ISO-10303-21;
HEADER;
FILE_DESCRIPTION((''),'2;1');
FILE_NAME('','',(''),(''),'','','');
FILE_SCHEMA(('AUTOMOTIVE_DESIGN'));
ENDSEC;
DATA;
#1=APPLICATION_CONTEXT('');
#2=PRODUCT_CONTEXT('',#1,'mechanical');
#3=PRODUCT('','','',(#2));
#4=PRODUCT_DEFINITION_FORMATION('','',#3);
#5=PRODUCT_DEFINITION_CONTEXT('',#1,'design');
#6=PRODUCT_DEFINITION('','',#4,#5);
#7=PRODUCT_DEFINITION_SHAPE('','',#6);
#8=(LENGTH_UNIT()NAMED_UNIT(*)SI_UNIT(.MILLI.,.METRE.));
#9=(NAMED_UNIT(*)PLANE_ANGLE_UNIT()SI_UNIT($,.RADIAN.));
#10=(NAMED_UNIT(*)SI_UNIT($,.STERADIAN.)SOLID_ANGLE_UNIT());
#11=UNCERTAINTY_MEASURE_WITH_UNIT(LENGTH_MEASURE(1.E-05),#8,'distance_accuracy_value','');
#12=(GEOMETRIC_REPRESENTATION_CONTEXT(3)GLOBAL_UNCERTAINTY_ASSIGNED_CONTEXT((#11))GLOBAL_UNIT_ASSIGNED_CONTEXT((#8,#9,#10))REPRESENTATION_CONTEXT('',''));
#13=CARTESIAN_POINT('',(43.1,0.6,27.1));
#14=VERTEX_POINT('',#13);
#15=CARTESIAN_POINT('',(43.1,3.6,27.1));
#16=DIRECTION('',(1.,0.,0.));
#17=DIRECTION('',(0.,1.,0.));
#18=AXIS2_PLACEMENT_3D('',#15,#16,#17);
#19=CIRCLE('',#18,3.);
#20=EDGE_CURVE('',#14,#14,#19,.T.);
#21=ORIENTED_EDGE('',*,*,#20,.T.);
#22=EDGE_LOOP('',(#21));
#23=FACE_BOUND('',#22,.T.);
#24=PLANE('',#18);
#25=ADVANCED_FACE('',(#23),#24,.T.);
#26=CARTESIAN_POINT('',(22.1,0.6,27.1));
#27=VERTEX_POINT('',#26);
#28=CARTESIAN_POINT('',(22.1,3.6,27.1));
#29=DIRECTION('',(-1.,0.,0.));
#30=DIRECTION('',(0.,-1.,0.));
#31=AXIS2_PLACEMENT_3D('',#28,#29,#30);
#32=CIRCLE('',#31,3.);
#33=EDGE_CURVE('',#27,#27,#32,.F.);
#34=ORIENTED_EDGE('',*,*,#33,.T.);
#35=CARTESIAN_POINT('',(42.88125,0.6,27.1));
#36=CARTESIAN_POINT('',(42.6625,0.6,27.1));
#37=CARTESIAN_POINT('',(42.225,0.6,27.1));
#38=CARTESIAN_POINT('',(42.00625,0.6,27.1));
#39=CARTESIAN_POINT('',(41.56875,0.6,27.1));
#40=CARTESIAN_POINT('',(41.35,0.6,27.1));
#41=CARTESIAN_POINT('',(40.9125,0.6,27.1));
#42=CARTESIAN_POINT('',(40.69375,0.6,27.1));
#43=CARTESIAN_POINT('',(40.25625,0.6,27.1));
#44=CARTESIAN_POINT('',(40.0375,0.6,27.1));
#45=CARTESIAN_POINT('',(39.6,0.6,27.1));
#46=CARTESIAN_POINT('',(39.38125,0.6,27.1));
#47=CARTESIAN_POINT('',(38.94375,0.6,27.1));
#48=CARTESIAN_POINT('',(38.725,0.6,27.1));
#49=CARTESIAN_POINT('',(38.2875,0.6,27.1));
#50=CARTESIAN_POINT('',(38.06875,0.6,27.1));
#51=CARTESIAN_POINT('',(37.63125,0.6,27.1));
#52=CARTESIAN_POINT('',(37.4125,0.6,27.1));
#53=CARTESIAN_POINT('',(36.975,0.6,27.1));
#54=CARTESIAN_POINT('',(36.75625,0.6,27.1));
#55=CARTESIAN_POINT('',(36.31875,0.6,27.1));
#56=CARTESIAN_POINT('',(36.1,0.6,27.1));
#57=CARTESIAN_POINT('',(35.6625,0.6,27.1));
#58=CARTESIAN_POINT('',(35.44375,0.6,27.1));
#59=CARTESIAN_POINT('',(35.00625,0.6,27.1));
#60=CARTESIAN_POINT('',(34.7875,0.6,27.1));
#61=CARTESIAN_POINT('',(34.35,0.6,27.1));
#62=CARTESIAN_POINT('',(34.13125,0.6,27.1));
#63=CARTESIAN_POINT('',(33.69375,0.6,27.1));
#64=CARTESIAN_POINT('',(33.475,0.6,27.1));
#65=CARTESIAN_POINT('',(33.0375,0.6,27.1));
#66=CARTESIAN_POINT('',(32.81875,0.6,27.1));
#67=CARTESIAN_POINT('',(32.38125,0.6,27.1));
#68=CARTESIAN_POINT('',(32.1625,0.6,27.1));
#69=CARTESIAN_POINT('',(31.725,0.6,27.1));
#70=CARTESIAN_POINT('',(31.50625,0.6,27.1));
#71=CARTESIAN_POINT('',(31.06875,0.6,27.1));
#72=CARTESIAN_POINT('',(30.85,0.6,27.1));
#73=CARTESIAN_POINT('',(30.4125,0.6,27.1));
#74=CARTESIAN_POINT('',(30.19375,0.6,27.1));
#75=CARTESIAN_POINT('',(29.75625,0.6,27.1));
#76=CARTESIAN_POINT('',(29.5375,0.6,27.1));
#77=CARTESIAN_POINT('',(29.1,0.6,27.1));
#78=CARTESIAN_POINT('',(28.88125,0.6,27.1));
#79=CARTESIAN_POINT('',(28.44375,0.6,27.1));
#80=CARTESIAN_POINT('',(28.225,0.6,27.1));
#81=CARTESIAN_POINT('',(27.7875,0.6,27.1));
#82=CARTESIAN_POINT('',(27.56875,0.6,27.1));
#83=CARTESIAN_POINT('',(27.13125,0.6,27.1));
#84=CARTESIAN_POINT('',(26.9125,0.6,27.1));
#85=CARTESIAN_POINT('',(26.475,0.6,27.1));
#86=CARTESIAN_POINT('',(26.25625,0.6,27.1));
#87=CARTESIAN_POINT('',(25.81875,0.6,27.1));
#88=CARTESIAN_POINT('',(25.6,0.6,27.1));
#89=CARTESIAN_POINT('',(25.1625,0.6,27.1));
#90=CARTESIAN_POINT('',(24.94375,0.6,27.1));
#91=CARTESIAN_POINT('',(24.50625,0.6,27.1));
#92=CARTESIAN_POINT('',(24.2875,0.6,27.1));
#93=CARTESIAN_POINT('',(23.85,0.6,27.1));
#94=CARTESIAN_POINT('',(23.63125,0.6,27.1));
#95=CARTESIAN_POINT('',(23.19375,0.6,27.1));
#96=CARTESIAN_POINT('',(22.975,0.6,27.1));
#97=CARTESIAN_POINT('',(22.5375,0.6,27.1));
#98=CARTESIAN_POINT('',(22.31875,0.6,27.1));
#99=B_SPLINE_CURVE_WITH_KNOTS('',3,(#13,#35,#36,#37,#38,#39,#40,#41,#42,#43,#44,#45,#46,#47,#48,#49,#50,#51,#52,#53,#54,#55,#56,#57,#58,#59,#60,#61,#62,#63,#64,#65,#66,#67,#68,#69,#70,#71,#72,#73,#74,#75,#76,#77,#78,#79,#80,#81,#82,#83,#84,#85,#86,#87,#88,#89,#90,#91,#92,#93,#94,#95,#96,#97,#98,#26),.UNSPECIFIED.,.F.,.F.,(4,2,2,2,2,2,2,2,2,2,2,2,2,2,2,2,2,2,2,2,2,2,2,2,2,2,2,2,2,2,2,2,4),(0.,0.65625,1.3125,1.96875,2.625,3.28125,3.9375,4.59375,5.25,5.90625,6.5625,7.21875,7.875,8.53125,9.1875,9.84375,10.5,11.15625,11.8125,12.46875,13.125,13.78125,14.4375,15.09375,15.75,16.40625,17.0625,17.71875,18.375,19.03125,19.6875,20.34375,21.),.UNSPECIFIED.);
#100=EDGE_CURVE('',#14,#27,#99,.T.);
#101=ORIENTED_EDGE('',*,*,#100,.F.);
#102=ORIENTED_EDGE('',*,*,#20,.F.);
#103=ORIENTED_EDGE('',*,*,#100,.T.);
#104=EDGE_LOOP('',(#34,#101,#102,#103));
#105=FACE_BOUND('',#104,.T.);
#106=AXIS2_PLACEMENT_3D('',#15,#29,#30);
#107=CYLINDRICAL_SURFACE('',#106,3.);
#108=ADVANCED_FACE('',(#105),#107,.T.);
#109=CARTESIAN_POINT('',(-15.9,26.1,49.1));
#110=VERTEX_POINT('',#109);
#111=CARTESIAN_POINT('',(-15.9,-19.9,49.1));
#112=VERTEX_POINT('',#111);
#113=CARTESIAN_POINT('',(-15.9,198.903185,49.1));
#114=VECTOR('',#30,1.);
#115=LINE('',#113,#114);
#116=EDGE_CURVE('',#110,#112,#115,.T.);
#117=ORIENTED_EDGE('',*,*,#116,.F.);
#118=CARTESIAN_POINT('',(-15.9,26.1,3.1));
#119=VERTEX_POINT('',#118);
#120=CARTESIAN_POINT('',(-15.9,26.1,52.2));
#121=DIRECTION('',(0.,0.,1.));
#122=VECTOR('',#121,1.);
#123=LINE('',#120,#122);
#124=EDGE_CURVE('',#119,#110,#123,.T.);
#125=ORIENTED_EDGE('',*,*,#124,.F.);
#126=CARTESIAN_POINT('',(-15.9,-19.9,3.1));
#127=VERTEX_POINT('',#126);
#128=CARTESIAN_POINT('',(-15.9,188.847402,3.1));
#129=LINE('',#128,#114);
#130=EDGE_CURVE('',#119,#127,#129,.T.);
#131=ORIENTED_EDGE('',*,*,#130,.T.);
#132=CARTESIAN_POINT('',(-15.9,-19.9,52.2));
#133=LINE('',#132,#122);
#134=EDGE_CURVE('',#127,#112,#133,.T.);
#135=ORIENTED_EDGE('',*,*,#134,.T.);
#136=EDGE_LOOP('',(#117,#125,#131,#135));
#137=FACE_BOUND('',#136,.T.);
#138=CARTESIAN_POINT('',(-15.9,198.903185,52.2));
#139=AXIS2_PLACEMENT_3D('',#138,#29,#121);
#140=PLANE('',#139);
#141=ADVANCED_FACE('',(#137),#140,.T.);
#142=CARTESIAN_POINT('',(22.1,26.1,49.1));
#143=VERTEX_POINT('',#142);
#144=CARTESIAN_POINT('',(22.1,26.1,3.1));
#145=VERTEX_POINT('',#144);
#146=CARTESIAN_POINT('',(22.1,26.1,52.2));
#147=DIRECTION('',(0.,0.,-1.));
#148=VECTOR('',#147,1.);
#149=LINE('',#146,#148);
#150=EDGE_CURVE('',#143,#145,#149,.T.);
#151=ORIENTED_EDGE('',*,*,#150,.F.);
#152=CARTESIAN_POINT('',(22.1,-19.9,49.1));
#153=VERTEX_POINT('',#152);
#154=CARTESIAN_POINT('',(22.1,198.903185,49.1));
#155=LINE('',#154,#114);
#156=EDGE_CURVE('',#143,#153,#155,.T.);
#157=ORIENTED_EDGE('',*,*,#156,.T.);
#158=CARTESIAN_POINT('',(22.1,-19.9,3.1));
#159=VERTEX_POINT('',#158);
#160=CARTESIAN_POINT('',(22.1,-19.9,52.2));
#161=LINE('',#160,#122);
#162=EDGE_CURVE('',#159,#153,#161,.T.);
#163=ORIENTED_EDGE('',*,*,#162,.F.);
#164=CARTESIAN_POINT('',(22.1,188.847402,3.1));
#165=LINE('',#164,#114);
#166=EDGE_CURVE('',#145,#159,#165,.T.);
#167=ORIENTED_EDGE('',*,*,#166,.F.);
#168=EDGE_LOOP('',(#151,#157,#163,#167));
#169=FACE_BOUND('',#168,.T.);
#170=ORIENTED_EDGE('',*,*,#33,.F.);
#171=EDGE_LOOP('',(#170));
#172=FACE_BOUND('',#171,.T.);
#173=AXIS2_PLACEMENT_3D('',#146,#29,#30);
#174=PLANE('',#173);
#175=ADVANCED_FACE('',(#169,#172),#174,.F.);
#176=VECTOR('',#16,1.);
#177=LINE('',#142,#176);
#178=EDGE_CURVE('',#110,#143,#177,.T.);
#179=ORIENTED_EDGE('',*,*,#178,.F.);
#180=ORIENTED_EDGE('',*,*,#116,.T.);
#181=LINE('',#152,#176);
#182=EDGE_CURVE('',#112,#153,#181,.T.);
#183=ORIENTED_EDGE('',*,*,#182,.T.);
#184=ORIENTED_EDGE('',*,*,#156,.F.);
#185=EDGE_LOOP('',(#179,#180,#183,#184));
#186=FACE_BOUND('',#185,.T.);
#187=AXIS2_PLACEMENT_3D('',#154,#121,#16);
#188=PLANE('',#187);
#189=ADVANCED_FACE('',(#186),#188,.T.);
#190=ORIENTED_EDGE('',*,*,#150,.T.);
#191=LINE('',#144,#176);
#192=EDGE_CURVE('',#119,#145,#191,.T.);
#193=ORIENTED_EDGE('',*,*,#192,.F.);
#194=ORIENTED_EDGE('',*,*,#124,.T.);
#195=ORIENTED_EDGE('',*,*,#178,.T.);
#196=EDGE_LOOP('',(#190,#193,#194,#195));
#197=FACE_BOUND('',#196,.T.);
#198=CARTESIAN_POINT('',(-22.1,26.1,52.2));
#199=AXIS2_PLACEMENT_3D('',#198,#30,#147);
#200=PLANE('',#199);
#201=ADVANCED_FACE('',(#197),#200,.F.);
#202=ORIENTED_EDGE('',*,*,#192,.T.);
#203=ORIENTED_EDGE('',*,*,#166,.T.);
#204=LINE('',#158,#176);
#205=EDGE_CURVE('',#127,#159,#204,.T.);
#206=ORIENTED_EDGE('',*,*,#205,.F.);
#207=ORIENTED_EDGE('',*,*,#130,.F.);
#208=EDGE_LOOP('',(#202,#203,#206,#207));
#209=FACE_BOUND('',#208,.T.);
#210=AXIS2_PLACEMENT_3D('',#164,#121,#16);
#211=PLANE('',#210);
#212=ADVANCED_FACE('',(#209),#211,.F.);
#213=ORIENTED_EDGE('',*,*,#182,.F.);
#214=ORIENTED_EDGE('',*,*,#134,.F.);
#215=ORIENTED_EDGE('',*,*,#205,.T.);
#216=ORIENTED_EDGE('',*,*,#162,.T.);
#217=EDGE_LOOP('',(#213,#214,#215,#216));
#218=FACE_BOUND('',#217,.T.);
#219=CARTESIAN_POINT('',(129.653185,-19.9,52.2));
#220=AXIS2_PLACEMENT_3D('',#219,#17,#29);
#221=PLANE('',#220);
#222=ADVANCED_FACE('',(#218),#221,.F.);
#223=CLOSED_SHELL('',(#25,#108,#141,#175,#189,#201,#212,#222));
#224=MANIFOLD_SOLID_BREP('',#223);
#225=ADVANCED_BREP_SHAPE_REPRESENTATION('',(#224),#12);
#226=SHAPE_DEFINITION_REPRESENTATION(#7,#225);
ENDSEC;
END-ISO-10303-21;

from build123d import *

# Parameters (mm, degrees)
ESQUISSE1_W                   = 44.2
ESQUISSE1_H                   = 52.2
BOSS_EXTRU_1_DEPTH            = 52.2
ENL_V_MAT_EXTRU_2_DEPTH       = 74.209903702
ENL_V_MAT_EXTRU_2_DEPTH_BACK  = 44.2
ENL_V_MAT_EXTRU_3_DEPTH       = 74.209903702
ENL_V_MAT_EXTRU_3_DEPTH_BACK  = 44.2
ENL_V_MAT_EXTRU_4_DEPTH       = 78.059003368
ENL_V_MAT_EXTRU_4_DEPTH_BACK  = 46
ENL_V_MAT_EXTRU_5_DEPTH       = 78.059003368
ENL_V_MAT_EXTRU_5_DEPTH_BACK  = 46
ENL_V_MAT_EXTRU_7_DEPTH       = 45.550224466
ENL_V_MAT_EXTRU_7_DEPTH_BACK  = 45.550224466
ENL_V_MAT_EXTRU_8_DEPTH       = 78.059003368
ENL_V_MAT_EXTRU_8_DEPTH_BACK  = 46
ENL_V_MAT_EXTRU_9_DEPTH       = 75.993733072
ENL_V_MAT_EXTRU_9_DEPTH_BACK  = 46
ESQUISSE13_R                  = 3
BOSS_EXTRU_2_DEPTH            = 21
ENL_V_MAT_EXTRU_10_DEPTH      = 84.625713749
ENL_V_MAT_EXTRU_10_DEPTH_BACK = 49
ENL_V_MAT_EXTRU_11_DEPTH      = 82.074163579
ENL_V_MAT_EXTRU_11_DEPTH_BACK = 49


with BuildPart() as part:
    # Esquisse1 → Boss.-Extru.1 (new body)
    with BuildSketch(Plane.XY):
        Rectangle(ESQUISSE1_W, ESQUISSE1_H)
    extrude(amount=BOSS_EXTRU_1_DEPTH)

    # Esquisse2 → Enlèv. mat.-Extru.2 (cut, two sides: drawn at the far end of the back side and taken through both)
    with BuildSketch(Plane(origin=(22.1, 0, 0), x_dir=(0, 0, -1), z_dir=(1, 0, 0)).offset(-ENL_V_MAT_EXTRU_2_DEPTH_BACK)):
        Polygon((-201.352290675, -19.9), (-52.2, -19.9), (-28.55, -19.9), (-28.55, -21.45), (-32.25, -21.45), (-32.25, -22.45), (-28.745559959, -26.1), (74.553898465, -133.690091099), (-39.180744024, -409.461834307), (-315.086933163, -295.671743208), align=None)
    extrude(amount=ENL_V_MAT_EXTRU_2_DEPTH + ENL_V_MAT_EXTRU_2_DEPTH_BACK, mode=Mode.SUBTRACT)

    # Esquisse3 → Enlèv. mat.-Extru.3 (cut, two sides: drawn at the far end of the back side and taken through both)
    with BuildSketch(Plane(origin=(22.1, 0, 0), x_dir=(0, 0, -1), z_dir=(1, 0, 0)).offset(-ENL_V_MAT_EXTRU_3_DEPTH_BACK)):
        Polygon((149.152290675, -19.9), (0, -19.9), (-23.65, -19.9), (-23.65, -21.45), (-19.95, -21.45), (-19.95, -22.45), (-23.454440041, -26.1), (-126.753898465, -133.690091099), (-13.019255976, -409.461834307), (262.886933163, -295.671743208), align=None)
    extrude(amount=ENL_V_MAT_EXTRU_3_DEPTH + ENL_V_MAT_EXTRU_3_DEPTH_BACK, mode=Mode.SUBTRACT)

    # Esquisse4 → Enlèv. mat.-Extru.4 (cut, two sides: drawn at the far end of the back side and taken through both)
    with BuildSketch(Plane(origin=(0, 26.1, 0), x_dir=(1, 0, 0), z_dir=(0, 1, 0)).offset(-ENL_V_MAT_EXTRU_4_DEPTH_BACK)):
        Polygon((-15.9, -191.333109619), (-15.9, -52.2), (-15.9, -28.55), (-17.45, -28.55), (-17.45, -32.25), (-18.45, -32.25), (-22.1, -28.745559959), (-122.462816227, 67.614843274), (-379.791464965, -38.281593439), (-273.228648738, -297.229546332), align=None)
    extrude(amount=ENL_V_MAT_EXTRU_4_DEPTH + ENL_V_MAT_EXTRU_4_DEPTH_BACK, mode=Mode.SUBTRACT)

    # Esquisse5 → Enlèv. mat.-Extru.5 (cut, two sides: drawn at the far end of the back side and taken through both)
    with BuildSketch(Plane(origin=(0, 26.1, 0), x_dir=(1, 0, 0), z_dir=(0, 1, 0)).offset(-ENL_V_MAT_EXTRU_5_DEPTH_BACK)):
        Polygon((-15.9, 139.133109619), (-15.9, 0), (-15.9, -23.65), (-17.45, -23.65), (-17.45, -19.95), (-18.45, -19.95), (-22.1, -23.454440041), (-122.462816228, -119.814843274), (-379.791464965, -13.918406561), (-273.228648738, 245.029546332), align=None)
    extrude(amount=ENL_V_MAT_EXTRU_5_DEPTH + ENL_V_MAT_EXTRU_5_DEPTH_BACK, mode=Mode.SUBTRACT)

    # Esquisse6 → Enlèv. mat.-Extru.7 (cut, two sides: drawn at the far end of the back side and taken through both)
    with BuildSketch(Plane.XY.offset(28.55).offset(-ENL_V_MAT_EXTRU_7_DEPTH_BACK)):
        Polygon((-161.22284167, -19.9), (-22.1, -19.9), (-15.9, -19.9), (-15.9, -26.093649616), (-15.9, -165.216491285), (-212.645110561, -361.97019968), (-357.967952231, -216.653708395), align=None)
    extrude(amount=ENL_V_MAT_EXTRU_7_DEPTH + ENL_V_MAT_EXTRU_7_DEPTH_BACK, mode=Mode.SUBTRACT)

    # Esquisse11 → Enlèv. mat.-Extru.8 (cut, two sides: drawn at the far end of the back side and taken through both)
    with BuildSketch(Plane(origin=(0, 26.1, 0), x_dir=(1, 0, 0), z_dir=(0, 1, 0)).offset(-ENL_V_MAT_EXTRU_8_DEPTH_BACK)):
        Polygon((164.227968273, -49.1), (22.1, -49.1), (-15.9, -49.1), (-158.027968273, -49.1), (-158.027968273, -333.355936546), (164.227968273, -333.355936546), align=None)
    extrude(amount=ENL_V_MAT_EXTRU_8_DEPTH + ENL_V_MAT_EXTRU_8_DEPTH_BACK, mode=Mode.SUBTRACT)

    # Esquisse12 → Enlèv. mat.-Extru.9 (cut, two sides: drawn at the far end of the back side and taken through both)
    with BuildSketch(Plane(origin=(0, 26.1, 0), x_dir=(1, 0, 0), z_dir=(0, 1, 0)).offset(-ENL_V_MAT_EXTRU_9_DEPTH_BACK)):
        Polygon((159.687460199, -3.1), (22.1, -3.1), (-15.9, -3.1), (-153.487460199, -3.1), (-153.487460199, 272.074920398), (159.687460199, 272.074920398), align=None)
    extrude(amount=ENL_V_MAT_EXTRU_9_DEPTH + ENL_V_MAT_EXTRU_9_DEPTH_BACK, mode=Mode.SUBTRACT)

    # Esquisse13 → Boss.-Extru.2 (add)
    with BuildSketch(Plane(origin=(22.1, 0, 0), x_dir=(0, 0, -1), z_dir=(1, 0, 0))):
        with Locations(Location((-27.1, 3.6, 0), (0, 0, 270))):
            Circle(ESQUISSE13_R)
    extrude(amount=BOSS_EXTRU_2_DEPTH)

    # Esquisse15 → Enlèv. mat.-Extru.10 (cut, two sides: drawn at the far end of the back side and taken through both)
    with BuildSketch(Plane(origin=(0, 26.1, 0), x_dir=(1, 0, 0), z_dir=(0, 1, 0)).offset(-ENL_V_MAT_EXTRU_10_DEPTH_BACK)):
        Polygon((-15.9, 114.859960703), (-15.9, -23.65), (-15.9, -28.55), (-15.9, -167.059960703), (-292.919921407, -167.059960703), (-292.919921407, 114.859960703), align=None)
    extrude(amount=ENL_V_MAT_EXTRU_10_DEPTH + ENL_V_MAT_EXTRU_10_DEPTH_BACK, mode=Mode.SUBTRACT)

    # Esquisse16 → Enlèv. mat.-Extru.11 (cut, two sides: drawn at the far end of the back side and taken through both)
    with BuildSketch(Plane.ZY.offset(15.9).offset(-ENL_V_MAT_EXTRU_11_DEPTH_BACK)):
        Polygon((-91.491856556, -19.9), (23.65, -19.9), (28.55, -19.9), (143.691856556, -19.9), (143.691856556, -250.183713112), (-91.491856556, -250.183713112), align=None)
    extrude(amount=ENL_V_MAT_EXTRU_11_DEPTH + ENL_V_MAT_EXTRU_11_DEPTH_BACK, mode=Mode.SUBTRACT)


solid = part.part
